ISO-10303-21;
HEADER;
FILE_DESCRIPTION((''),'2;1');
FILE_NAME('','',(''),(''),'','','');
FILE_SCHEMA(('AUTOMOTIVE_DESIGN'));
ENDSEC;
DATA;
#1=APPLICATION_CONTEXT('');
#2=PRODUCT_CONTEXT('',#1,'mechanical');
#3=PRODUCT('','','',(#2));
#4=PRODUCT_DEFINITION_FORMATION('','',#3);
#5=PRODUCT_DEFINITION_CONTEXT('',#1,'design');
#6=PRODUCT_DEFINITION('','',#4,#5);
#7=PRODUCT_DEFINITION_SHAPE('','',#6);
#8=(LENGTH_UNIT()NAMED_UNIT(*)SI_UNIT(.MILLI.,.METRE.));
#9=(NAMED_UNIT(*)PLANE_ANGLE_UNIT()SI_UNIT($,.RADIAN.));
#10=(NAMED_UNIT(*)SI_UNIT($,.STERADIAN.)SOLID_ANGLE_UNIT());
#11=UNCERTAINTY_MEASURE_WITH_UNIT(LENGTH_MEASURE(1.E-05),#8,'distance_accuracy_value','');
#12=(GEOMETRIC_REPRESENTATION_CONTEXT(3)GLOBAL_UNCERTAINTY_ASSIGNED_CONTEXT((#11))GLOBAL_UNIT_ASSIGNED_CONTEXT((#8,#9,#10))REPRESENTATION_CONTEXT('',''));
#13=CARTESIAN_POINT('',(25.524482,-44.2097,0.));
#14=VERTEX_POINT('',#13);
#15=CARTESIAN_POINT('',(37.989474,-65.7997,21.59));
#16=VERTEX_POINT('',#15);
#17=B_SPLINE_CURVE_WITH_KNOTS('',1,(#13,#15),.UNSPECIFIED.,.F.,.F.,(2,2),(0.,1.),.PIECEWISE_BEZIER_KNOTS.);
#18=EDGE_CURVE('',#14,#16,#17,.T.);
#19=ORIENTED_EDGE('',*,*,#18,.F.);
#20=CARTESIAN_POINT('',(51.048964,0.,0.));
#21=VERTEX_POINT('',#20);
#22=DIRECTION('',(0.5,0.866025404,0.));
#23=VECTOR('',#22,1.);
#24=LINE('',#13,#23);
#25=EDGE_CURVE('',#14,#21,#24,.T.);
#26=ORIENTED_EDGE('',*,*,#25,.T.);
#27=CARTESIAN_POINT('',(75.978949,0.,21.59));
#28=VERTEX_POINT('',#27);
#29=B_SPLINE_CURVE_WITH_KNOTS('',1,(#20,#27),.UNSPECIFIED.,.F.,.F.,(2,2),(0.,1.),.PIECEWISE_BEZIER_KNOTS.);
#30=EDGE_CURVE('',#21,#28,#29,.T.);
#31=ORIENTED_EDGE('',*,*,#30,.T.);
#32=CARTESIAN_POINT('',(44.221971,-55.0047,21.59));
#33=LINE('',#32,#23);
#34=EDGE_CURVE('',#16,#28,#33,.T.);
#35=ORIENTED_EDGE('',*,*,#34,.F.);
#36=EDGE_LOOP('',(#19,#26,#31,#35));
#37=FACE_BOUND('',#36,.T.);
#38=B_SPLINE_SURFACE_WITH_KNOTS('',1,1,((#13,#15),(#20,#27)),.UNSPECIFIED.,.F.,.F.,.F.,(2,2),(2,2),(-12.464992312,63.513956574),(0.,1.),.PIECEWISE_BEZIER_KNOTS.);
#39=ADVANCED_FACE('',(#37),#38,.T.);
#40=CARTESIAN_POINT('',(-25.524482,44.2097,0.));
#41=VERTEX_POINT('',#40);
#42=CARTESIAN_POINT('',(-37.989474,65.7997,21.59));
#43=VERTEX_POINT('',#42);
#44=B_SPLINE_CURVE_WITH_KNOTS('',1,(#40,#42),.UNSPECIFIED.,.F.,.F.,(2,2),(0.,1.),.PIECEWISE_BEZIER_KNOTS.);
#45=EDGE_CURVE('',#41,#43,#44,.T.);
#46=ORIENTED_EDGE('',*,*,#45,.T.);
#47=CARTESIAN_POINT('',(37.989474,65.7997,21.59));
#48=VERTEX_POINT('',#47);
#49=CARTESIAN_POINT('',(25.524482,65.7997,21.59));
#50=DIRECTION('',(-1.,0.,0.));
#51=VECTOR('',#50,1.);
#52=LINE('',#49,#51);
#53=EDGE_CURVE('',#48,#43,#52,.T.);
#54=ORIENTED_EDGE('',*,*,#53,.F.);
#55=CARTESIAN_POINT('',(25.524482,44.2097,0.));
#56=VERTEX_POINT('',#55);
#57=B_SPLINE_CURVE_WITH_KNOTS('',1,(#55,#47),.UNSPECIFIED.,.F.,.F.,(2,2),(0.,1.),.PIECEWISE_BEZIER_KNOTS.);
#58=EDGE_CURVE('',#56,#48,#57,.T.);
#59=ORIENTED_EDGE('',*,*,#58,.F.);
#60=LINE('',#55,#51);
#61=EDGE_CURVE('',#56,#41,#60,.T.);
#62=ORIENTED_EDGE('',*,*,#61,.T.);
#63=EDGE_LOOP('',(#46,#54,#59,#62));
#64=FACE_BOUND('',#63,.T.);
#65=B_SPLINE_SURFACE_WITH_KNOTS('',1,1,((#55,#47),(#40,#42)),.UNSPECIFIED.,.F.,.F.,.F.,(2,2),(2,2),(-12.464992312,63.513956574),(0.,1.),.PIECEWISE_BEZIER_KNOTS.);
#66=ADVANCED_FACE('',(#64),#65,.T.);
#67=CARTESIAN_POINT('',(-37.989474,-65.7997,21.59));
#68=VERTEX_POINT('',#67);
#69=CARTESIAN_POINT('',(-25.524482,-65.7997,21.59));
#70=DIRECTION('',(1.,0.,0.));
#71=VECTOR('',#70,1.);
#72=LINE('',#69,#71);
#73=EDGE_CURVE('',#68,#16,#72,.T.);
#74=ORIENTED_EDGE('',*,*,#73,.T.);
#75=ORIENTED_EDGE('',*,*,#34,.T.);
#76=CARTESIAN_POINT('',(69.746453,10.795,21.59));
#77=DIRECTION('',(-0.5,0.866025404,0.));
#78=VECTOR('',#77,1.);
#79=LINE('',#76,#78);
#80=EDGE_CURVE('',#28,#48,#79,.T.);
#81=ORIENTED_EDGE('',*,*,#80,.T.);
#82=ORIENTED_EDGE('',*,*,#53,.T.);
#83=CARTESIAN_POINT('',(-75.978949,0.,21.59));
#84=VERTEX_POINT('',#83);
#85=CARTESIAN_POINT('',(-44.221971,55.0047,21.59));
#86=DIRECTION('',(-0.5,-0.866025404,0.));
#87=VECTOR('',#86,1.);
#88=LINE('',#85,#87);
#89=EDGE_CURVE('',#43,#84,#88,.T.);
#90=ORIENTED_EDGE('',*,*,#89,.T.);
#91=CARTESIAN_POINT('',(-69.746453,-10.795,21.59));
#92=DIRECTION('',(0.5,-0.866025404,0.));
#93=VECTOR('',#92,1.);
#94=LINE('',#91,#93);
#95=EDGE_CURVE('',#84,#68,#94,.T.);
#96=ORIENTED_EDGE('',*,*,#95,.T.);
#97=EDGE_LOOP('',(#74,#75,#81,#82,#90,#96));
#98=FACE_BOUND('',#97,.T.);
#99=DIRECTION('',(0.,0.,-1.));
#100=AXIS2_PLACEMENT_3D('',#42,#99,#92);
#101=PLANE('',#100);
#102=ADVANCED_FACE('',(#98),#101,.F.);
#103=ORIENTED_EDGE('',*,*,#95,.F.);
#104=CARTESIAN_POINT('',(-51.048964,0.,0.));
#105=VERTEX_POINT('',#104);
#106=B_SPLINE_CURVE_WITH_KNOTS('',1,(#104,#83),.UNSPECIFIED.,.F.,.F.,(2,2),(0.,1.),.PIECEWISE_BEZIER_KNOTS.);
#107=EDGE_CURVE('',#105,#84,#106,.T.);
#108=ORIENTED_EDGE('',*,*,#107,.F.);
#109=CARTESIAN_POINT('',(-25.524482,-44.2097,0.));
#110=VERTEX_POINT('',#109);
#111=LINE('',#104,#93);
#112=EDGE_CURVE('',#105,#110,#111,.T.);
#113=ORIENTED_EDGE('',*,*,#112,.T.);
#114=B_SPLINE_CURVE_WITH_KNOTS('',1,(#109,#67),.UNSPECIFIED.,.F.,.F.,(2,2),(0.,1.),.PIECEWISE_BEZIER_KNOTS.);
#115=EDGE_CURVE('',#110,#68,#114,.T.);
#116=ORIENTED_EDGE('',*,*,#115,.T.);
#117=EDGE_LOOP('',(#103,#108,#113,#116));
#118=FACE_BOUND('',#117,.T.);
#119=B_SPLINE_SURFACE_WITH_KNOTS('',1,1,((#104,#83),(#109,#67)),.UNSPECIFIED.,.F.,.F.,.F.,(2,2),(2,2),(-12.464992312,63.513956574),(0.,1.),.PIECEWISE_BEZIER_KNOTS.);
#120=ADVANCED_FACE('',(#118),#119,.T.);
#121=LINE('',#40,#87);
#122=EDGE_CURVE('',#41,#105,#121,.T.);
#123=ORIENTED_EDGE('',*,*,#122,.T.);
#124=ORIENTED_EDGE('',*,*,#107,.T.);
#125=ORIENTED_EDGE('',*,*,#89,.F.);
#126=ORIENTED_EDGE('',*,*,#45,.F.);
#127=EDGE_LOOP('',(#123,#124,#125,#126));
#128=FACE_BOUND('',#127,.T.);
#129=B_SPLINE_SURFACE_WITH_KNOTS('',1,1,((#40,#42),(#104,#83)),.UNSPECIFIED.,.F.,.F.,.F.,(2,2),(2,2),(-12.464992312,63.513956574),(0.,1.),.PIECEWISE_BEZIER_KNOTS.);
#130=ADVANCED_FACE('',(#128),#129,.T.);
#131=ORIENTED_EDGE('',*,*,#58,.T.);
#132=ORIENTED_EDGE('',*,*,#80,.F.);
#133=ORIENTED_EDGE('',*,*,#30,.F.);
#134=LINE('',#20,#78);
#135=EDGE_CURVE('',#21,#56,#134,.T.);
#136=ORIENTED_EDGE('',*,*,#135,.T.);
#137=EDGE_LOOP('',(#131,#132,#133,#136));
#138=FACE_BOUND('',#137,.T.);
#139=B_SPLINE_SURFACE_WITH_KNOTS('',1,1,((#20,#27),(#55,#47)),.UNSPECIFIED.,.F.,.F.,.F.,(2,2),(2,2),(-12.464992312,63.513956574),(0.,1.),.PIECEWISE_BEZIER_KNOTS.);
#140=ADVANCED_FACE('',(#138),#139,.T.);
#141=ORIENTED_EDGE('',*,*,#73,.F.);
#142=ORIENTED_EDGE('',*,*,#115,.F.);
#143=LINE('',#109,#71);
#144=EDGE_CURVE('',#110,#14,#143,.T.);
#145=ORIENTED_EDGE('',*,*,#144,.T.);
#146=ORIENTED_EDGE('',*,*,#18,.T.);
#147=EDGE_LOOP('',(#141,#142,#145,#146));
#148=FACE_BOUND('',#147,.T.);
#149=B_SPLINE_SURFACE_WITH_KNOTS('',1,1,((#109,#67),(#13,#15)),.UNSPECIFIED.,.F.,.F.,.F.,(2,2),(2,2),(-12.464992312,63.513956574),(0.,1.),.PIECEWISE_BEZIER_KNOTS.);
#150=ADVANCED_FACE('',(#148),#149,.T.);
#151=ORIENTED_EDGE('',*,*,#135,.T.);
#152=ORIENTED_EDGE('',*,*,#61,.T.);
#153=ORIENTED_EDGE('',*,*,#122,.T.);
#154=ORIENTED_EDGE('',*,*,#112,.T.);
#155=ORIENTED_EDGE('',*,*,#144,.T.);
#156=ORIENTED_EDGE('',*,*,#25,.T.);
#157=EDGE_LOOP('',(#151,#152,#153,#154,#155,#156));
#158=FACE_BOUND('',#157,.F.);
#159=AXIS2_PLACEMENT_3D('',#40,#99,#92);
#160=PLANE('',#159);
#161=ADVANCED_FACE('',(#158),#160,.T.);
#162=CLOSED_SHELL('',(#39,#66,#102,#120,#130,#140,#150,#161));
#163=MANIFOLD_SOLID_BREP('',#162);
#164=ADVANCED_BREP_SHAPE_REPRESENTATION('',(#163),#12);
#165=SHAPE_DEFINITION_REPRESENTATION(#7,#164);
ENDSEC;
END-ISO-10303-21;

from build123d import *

# Parameters (mm, degrees)
F1_DEPTH = 21.59
F1_TAPER = -45


with BuildPart() as f1:
    # F0 (on Top) → F1 (new body)
    with BuildSketch(Plane.XY):
        Polygon((-25.524482131, 44.2096998878), (-51.048964262, 0), (-25.524482131, -44.2096998878), (25.524482131, -44.2096998878), (51.048964262, 0), (25.524482131, 44.2096998878), align=None)
    extrude(amount=F1_DEPTH, taper=F1_TAPER)


solid = f1.part
